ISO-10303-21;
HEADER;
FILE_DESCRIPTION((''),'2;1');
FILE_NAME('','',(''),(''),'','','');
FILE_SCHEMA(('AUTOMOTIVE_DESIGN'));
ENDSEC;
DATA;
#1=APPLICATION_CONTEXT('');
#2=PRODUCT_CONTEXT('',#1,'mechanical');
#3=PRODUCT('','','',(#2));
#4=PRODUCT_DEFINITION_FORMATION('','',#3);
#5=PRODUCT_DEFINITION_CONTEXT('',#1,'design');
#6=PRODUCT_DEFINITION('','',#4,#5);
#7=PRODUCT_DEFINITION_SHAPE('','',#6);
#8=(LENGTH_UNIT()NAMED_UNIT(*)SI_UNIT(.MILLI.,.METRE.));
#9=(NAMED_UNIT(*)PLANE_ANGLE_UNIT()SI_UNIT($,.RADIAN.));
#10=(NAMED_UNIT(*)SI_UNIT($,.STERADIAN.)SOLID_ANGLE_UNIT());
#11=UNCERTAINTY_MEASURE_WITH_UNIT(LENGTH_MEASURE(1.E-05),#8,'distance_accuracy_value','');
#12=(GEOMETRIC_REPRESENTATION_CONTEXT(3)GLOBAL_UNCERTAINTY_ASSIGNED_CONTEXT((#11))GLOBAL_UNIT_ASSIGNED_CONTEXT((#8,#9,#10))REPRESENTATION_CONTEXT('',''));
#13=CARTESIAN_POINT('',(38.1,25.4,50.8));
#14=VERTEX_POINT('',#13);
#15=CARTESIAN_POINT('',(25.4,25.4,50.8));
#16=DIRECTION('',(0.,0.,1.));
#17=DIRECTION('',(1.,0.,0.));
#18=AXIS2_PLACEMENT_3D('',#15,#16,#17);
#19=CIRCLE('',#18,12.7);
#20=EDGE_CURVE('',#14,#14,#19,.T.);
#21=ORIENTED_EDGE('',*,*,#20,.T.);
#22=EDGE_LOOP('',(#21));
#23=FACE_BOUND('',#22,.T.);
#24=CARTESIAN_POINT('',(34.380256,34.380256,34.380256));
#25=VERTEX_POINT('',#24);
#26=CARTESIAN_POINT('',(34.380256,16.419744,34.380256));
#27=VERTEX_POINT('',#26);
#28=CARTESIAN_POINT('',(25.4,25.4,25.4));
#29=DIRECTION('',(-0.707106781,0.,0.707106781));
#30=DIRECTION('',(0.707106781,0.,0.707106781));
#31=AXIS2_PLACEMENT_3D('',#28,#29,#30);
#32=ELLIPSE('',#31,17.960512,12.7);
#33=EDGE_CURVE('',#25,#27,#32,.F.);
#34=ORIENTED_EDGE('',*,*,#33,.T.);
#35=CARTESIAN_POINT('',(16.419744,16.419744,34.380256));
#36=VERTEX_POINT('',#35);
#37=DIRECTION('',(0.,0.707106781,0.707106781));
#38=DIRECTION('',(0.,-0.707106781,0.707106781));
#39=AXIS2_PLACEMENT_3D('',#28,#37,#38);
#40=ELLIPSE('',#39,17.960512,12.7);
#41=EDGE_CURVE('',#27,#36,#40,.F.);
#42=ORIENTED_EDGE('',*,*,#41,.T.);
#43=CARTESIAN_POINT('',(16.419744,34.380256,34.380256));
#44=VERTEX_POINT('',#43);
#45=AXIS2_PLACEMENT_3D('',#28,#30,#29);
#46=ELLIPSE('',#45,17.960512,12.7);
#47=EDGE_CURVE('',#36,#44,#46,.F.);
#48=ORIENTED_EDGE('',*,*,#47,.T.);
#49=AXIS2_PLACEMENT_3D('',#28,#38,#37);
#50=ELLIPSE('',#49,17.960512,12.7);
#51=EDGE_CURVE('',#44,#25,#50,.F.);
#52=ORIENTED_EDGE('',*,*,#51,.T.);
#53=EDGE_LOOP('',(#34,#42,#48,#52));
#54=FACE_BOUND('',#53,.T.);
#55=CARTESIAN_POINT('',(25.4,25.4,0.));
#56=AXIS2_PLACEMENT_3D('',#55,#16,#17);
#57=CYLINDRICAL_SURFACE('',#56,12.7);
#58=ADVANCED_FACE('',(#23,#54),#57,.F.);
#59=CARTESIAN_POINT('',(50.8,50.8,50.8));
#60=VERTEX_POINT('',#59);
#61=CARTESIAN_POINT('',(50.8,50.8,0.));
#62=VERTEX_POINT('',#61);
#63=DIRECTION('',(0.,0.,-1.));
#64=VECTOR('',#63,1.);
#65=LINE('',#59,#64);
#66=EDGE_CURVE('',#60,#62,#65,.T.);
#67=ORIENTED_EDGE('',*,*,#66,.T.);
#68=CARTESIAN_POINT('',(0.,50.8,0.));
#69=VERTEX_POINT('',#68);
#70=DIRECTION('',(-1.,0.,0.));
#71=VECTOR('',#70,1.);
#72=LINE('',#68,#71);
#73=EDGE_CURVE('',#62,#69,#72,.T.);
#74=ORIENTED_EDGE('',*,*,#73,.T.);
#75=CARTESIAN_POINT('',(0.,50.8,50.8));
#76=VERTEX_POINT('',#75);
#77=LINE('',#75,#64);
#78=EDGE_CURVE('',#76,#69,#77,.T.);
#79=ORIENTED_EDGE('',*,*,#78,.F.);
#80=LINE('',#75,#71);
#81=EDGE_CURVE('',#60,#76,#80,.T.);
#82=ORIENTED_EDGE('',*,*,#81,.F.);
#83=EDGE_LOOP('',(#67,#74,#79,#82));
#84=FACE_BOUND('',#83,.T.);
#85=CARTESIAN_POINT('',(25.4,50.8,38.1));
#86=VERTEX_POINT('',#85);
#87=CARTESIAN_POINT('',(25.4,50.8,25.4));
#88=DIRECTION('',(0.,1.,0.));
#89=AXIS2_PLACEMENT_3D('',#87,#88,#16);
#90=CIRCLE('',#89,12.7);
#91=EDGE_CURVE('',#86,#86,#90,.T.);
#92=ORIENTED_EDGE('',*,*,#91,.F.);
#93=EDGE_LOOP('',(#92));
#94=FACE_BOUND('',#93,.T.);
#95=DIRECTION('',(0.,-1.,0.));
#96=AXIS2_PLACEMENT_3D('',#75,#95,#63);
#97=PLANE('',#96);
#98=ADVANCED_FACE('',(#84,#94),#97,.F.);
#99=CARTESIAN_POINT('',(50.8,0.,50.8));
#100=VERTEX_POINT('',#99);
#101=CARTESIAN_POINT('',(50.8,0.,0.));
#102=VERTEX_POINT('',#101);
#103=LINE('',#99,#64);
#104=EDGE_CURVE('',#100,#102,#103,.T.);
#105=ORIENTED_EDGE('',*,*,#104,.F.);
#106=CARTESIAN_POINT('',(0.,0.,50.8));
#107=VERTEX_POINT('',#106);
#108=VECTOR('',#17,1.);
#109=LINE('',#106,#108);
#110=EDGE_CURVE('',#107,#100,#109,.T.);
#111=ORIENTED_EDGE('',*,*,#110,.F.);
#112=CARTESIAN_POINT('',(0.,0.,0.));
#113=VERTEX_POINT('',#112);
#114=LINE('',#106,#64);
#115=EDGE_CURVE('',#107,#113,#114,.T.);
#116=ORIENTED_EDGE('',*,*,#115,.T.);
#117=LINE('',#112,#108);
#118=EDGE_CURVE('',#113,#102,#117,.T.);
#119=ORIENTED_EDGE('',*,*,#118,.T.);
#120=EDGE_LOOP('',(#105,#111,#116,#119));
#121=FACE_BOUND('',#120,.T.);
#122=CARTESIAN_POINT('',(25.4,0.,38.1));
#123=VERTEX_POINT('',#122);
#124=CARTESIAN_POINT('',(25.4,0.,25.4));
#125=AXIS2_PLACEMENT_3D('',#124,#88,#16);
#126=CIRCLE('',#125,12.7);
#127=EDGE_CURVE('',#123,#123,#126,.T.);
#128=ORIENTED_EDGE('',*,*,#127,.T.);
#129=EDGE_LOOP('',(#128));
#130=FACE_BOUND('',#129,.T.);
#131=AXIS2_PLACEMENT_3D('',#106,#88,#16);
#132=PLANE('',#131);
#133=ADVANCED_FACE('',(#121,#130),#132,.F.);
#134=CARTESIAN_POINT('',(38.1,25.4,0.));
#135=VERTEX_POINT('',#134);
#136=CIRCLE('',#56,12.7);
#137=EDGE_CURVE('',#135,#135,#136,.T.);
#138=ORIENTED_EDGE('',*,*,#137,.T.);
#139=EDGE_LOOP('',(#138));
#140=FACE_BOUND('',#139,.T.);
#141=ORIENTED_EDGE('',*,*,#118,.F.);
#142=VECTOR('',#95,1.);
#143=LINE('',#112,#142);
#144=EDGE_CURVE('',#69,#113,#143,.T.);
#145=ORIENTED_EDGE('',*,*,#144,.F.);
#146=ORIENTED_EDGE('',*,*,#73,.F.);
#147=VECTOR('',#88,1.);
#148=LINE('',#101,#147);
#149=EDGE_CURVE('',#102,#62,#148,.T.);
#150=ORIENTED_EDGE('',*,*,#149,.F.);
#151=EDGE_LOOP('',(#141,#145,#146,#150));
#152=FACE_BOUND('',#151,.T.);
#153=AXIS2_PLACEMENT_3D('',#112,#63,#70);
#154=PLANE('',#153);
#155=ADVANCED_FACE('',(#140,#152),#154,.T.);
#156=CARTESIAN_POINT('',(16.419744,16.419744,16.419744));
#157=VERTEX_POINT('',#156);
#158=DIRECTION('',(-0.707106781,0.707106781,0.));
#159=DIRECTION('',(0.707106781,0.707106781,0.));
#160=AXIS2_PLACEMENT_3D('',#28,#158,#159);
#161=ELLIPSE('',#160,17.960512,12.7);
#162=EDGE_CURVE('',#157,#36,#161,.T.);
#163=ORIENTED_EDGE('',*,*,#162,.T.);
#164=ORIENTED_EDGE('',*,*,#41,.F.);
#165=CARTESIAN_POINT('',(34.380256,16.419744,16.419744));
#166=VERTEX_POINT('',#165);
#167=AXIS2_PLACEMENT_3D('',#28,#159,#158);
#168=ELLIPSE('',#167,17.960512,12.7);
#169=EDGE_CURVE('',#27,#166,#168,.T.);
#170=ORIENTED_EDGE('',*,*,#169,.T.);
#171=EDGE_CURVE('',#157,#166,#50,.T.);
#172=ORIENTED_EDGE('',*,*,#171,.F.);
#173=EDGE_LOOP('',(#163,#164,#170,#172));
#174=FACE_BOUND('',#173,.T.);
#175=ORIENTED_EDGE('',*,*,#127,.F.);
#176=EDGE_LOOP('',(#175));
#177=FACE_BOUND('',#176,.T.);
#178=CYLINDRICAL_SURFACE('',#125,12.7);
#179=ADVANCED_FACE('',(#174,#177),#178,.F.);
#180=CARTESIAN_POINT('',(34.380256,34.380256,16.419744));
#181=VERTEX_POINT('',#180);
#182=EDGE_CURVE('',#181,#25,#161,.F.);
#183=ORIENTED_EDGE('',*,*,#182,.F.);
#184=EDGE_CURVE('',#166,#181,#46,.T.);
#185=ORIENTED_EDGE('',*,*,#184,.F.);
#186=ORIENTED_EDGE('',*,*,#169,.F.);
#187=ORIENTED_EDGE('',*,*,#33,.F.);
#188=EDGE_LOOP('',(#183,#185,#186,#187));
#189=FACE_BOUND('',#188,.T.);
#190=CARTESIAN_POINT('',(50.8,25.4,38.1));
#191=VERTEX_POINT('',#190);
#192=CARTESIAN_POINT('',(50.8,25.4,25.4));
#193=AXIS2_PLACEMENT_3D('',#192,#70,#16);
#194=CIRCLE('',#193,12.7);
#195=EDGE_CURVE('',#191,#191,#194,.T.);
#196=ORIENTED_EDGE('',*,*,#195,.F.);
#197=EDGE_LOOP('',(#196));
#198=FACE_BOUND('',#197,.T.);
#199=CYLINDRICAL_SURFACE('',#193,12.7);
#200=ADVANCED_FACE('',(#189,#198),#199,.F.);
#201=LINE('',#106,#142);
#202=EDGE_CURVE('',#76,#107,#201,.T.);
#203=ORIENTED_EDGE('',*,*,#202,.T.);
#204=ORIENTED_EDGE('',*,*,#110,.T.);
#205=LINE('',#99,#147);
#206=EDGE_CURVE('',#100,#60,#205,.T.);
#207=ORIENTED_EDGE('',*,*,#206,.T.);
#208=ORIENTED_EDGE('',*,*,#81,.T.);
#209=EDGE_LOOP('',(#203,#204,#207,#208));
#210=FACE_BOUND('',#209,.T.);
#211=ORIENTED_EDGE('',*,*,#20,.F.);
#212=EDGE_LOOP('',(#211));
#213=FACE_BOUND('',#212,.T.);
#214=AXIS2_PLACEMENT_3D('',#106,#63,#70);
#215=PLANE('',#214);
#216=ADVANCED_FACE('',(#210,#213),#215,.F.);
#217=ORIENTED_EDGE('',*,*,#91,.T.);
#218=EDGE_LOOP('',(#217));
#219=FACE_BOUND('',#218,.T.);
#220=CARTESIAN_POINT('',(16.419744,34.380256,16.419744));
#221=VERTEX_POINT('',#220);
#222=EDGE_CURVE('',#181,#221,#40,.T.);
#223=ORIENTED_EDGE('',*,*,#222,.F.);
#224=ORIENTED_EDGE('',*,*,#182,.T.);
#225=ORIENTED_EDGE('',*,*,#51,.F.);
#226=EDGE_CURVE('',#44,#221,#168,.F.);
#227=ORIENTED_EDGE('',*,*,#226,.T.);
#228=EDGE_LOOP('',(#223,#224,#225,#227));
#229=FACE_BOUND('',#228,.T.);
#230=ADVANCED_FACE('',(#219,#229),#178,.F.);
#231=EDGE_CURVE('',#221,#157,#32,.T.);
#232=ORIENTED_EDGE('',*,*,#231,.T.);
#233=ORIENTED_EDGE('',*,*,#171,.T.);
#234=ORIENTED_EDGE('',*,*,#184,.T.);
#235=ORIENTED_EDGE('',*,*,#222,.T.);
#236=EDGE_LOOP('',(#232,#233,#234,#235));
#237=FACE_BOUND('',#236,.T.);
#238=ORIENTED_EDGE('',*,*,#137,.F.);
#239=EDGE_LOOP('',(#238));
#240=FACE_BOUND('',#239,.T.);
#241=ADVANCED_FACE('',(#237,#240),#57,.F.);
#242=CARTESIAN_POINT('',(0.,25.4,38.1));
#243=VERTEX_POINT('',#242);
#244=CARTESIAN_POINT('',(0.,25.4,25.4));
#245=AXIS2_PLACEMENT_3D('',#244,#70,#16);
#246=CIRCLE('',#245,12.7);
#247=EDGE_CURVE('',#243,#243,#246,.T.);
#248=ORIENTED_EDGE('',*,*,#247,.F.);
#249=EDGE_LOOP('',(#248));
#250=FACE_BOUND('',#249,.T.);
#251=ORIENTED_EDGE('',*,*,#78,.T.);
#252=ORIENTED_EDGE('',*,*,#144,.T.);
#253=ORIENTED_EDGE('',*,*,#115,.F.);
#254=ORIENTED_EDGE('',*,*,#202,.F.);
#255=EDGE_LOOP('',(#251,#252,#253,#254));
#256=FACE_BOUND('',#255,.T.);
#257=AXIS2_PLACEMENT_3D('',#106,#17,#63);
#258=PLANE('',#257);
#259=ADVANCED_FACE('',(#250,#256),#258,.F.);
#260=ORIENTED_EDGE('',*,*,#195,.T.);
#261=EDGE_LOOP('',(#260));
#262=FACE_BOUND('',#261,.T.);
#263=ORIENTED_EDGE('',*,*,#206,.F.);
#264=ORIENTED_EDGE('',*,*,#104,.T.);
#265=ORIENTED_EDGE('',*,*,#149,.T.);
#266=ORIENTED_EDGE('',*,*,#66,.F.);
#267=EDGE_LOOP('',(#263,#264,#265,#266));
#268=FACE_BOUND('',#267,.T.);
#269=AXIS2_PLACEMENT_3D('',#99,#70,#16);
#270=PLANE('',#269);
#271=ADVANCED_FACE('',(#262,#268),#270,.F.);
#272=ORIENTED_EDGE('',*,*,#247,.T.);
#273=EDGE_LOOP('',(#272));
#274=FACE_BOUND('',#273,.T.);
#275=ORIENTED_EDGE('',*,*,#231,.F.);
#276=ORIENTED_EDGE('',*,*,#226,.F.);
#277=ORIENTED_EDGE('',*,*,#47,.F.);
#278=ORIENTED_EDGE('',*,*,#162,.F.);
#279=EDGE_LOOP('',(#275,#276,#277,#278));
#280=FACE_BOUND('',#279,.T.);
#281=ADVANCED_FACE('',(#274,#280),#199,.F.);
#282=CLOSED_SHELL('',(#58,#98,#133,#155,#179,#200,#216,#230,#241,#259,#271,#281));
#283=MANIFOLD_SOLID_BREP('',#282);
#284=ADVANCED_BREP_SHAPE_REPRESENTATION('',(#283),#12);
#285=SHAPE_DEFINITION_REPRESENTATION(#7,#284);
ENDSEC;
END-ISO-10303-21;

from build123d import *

# Parameters (mm, degrees)
SKETCH1_W           = 50.8
SKETCH1_H           = 50.8
BOSS_EXTRUDE1_DEPTH = 50.8
SKETCH2_R           = 12.7
CUT_EXTRUDE1_DEPTH  = 50.8
SKETCH3_R           = 12.7
CUT_EXTRUDE2_DEPTH  = 50.8
SKETCH4_R           = 12.7
CUT_EXTRUDE3_DEPTH  = 50.8


with BuildPart() as part:
    # Sketch1 → Boss-Extrude1 (new body)
    with BuildSketch(Plane.XY):
        with Locations((25.4, 25.4)):
            Rectangle(SKETCH1_W, SKETCH1_H)
    extrude(amount=BOSS_EXTRUDE1_DEPTH)

    # Sketch2 → Cut-Extrude1 (cut)
    with BuildSketch(Plane.XY.offset(50.8)):
        with Locations((25.4, 25.4)):
            Circle(SKETCH2_R)
    extrude(amount=-CUT_EXTRUDE1_DEPTH, mode=Mode.SUBTRACT)

    # Sketch3 → Cut-Extrude2 (cut)
    with BuildSketch(Plane(origin=(0, 50.8, 0), x_dir=(1, 0, 0), z_dir=(0, 1, 0))):
        with Locations((25.4, -25.4)):
            Circle(SKETCH3_R)
    extrude(amount=-CUT_EXTRUDE2_DEPTH, mode=Mode.SUBTRACT)

    # Sketch4 → Cut-Extrude3 (cut)
    with BuildSketch(Plane.ZY):
        with Locations((25.4, 25.4)):
            Circle(SKETCH4_R)
    extrude(amount=-CUT_EXTRUDE3_DEPTH, mode=Mode.SUBTRACT)


solid = part.part
